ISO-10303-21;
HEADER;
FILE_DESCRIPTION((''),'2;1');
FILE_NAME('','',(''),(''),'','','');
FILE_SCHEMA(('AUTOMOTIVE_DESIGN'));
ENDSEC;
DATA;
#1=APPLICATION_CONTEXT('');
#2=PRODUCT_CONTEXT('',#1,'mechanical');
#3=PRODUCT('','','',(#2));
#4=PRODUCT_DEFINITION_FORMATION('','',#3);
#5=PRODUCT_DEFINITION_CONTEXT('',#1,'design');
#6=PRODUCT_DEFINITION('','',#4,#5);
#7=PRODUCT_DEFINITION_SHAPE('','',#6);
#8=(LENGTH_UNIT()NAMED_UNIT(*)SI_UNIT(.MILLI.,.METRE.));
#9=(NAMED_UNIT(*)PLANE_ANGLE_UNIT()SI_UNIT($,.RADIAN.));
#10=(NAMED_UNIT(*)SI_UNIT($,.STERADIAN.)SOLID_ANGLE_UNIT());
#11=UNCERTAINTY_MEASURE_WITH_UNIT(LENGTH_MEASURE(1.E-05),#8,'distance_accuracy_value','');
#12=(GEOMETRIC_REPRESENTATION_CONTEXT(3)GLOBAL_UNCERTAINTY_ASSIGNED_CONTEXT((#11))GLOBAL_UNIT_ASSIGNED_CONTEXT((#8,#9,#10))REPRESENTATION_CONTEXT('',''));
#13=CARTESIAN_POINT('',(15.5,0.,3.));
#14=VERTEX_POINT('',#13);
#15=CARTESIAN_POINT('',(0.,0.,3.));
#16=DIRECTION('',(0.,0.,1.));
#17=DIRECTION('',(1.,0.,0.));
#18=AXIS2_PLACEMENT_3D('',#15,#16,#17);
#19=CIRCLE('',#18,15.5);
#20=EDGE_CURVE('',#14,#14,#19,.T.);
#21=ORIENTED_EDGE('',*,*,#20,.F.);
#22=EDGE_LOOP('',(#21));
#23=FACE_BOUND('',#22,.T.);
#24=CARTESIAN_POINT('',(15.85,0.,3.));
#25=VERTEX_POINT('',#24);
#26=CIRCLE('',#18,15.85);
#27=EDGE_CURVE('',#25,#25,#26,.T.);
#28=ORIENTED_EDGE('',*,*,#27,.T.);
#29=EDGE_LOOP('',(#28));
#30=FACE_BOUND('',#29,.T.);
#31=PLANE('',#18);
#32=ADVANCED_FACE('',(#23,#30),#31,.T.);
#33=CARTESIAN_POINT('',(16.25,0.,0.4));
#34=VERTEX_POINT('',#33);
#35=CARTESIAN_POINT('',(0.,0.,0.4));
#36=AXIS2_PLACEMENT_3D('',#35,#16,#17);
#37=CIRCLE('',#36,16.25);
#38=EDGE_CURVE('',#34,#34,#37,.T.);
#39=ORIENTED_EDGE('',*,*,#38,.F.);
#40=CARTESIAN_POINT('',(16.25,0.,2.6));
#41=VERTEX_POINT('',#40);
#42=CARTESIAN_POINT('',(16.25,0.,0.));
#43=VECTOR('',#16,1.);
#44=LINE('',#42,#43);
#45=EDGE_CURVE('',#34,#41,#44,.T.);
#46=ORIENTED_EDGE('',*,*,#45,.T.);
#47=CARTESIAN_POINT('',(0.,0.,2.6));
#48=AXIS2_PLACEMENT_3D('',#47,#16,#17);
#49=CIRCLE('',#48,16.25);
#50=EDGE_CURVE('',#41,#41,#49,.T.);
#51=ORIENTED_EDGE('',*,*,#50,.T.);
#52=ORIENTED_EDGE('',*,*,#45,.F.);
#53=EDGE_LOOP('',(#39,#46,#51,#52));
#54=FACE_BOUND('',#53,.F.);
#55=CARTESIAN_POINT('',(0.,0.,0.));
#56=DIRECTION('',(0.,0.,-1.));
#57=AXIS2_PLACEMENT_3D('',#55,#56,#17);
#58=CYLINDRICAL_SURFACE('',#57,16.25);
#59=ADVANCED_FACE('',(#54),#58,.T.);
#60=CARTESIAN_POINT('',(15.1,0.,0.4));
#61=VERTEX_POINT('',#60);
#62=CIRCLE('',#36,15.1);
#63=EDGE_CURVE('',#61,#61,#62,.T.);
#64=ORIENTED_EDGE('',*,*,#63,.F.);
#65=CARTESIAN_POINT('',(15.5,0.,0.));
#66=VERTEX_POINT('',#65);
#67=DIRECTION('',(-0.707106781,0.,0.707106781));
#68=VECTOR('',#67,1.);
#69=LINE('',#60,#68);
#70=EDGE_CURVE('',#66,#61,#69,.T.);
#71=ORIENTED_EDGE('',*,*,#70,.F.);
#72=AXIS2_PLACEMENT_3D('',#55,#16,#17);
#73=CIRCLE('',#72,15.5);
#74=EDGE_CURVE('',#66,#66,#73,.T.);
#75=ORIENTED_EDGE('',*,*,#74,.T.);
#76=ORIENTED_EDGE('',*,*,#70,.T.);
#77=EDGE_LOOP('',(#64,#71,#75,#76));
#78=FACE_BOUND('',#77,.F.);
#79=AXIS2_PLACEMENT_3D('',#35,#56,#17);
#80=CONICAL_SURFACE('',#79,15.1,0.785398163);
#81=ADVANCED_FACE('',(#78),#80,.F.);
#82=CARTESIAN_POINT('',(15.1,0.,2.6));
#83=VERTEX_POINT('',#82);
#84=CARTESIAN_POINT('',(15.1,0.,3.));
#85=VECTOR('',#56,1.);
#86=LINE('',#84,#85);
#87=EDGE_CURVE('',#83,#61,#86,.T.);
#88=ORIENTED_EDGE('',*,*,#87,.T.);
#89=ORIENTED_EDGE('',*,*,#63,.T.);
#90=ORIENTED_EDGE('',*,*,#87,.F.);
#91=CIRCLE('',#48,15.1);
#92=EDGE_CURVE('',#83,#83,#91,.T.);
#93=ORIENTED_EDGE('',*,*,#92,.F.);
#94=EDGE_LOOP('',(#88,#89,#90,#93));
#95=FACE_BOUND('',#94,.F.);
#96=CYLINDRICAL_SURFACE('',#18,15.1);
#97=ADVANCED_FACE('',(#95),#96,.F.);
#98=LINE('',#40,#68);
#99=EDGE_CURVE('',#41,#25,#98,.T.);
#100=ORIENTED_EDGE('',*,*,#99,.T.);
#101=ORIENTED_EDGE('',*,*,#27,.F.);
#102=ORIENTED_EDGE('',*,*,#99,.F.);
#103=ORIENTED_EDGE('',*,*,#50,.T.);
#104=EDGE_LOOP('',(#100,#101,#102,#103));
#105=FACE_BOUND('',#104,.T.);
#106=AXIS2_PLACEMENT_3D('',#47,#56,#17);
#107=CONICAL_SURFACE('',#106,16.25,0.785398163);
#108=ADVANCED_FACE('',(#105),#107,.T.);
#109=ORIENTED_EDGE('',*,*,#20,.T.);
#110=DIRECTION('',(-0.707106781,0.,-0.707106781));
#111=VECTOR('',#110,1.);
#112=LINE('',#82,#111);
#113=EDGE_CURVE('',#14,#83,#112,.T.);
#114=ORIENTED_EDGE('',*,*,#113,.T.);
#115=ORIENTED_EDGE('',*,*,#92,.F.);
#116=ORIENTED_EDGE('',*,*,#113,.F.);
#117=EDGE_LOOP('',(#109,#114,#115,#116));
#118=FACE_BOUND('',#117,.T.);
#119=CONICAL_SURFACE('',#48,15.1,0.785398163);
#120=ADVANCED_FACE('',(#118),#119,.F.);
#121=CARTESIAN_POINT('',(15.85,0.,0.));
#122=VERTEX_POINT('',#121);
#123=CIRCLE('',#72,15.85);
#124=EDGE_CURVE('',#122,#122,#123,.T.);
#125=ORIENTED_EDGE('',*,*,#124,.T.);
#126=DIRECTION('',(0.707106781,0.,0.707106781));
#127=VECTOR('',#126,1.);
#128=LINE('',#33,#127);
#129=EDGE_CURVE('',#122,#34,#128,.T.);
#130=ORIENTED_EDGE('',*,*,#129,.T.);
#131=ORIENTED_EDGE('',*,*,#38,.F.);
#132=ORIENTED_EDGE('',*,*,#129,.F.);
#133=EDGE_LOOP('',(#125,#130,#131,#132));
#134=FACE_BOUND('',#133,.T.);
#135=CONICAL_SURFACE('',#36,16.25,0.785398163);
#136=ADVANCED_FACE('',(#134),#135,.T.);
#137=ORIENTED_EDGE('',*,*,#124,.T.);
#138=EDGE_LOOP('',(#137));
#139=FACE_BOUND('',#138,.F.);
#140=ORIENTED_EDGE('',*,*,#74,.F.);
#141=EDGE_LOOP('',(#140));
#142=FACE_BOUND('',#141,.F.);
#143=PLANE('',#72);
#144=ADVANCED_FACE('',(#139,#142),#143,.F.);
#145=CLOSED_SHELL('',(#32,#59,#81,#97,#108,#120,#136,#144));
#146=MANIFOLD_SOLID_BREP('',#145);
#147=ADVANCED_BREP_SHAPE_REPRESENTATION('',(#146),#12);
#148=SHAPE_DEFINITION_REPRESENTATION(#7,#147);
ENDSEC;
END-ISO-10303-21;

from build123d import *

# Parameters (mm, degrees)
F0_R     = 16.25
F1_DEPTH = 3
F2_R     = 15.1
F3_DEPTH = 3.001
F4_SIZE  = 0.4
F5_SIZE  = 0.4


with BuildPart() as f1:
    # F0 (on Top) → F1 (new body)
    with BuildSketch(Plane.XY):
        Circle(F0_R)
    extrude(amount=F1_DEPTH)

    # F2 (on face) → F3 (cut, through all)
    with BuildSketch(Plane.XY.offset(3)):
        Circle(F2_R)
    extrude(amount=-F3_DEPTH, mode=Mode.SUBTRACT)

    # F4
    f4_edges = [f1.edges().sort_by_distance(p)[0] for p in [
        (-15.1, 0, 3),
        (-15.1, 0, 0),
    ]]
    chamfer(f4_edges, length=F4_SIZE)

    # F5
    f5_edges = [f1.edges().sort_by_distance(p)[0] for p in [
        (-16.25, 0, 0),
        (-16.25, 0, 3),
    ]]
    chamfer(f5_edges, length=F5_SIZE)


solid = f1.part
